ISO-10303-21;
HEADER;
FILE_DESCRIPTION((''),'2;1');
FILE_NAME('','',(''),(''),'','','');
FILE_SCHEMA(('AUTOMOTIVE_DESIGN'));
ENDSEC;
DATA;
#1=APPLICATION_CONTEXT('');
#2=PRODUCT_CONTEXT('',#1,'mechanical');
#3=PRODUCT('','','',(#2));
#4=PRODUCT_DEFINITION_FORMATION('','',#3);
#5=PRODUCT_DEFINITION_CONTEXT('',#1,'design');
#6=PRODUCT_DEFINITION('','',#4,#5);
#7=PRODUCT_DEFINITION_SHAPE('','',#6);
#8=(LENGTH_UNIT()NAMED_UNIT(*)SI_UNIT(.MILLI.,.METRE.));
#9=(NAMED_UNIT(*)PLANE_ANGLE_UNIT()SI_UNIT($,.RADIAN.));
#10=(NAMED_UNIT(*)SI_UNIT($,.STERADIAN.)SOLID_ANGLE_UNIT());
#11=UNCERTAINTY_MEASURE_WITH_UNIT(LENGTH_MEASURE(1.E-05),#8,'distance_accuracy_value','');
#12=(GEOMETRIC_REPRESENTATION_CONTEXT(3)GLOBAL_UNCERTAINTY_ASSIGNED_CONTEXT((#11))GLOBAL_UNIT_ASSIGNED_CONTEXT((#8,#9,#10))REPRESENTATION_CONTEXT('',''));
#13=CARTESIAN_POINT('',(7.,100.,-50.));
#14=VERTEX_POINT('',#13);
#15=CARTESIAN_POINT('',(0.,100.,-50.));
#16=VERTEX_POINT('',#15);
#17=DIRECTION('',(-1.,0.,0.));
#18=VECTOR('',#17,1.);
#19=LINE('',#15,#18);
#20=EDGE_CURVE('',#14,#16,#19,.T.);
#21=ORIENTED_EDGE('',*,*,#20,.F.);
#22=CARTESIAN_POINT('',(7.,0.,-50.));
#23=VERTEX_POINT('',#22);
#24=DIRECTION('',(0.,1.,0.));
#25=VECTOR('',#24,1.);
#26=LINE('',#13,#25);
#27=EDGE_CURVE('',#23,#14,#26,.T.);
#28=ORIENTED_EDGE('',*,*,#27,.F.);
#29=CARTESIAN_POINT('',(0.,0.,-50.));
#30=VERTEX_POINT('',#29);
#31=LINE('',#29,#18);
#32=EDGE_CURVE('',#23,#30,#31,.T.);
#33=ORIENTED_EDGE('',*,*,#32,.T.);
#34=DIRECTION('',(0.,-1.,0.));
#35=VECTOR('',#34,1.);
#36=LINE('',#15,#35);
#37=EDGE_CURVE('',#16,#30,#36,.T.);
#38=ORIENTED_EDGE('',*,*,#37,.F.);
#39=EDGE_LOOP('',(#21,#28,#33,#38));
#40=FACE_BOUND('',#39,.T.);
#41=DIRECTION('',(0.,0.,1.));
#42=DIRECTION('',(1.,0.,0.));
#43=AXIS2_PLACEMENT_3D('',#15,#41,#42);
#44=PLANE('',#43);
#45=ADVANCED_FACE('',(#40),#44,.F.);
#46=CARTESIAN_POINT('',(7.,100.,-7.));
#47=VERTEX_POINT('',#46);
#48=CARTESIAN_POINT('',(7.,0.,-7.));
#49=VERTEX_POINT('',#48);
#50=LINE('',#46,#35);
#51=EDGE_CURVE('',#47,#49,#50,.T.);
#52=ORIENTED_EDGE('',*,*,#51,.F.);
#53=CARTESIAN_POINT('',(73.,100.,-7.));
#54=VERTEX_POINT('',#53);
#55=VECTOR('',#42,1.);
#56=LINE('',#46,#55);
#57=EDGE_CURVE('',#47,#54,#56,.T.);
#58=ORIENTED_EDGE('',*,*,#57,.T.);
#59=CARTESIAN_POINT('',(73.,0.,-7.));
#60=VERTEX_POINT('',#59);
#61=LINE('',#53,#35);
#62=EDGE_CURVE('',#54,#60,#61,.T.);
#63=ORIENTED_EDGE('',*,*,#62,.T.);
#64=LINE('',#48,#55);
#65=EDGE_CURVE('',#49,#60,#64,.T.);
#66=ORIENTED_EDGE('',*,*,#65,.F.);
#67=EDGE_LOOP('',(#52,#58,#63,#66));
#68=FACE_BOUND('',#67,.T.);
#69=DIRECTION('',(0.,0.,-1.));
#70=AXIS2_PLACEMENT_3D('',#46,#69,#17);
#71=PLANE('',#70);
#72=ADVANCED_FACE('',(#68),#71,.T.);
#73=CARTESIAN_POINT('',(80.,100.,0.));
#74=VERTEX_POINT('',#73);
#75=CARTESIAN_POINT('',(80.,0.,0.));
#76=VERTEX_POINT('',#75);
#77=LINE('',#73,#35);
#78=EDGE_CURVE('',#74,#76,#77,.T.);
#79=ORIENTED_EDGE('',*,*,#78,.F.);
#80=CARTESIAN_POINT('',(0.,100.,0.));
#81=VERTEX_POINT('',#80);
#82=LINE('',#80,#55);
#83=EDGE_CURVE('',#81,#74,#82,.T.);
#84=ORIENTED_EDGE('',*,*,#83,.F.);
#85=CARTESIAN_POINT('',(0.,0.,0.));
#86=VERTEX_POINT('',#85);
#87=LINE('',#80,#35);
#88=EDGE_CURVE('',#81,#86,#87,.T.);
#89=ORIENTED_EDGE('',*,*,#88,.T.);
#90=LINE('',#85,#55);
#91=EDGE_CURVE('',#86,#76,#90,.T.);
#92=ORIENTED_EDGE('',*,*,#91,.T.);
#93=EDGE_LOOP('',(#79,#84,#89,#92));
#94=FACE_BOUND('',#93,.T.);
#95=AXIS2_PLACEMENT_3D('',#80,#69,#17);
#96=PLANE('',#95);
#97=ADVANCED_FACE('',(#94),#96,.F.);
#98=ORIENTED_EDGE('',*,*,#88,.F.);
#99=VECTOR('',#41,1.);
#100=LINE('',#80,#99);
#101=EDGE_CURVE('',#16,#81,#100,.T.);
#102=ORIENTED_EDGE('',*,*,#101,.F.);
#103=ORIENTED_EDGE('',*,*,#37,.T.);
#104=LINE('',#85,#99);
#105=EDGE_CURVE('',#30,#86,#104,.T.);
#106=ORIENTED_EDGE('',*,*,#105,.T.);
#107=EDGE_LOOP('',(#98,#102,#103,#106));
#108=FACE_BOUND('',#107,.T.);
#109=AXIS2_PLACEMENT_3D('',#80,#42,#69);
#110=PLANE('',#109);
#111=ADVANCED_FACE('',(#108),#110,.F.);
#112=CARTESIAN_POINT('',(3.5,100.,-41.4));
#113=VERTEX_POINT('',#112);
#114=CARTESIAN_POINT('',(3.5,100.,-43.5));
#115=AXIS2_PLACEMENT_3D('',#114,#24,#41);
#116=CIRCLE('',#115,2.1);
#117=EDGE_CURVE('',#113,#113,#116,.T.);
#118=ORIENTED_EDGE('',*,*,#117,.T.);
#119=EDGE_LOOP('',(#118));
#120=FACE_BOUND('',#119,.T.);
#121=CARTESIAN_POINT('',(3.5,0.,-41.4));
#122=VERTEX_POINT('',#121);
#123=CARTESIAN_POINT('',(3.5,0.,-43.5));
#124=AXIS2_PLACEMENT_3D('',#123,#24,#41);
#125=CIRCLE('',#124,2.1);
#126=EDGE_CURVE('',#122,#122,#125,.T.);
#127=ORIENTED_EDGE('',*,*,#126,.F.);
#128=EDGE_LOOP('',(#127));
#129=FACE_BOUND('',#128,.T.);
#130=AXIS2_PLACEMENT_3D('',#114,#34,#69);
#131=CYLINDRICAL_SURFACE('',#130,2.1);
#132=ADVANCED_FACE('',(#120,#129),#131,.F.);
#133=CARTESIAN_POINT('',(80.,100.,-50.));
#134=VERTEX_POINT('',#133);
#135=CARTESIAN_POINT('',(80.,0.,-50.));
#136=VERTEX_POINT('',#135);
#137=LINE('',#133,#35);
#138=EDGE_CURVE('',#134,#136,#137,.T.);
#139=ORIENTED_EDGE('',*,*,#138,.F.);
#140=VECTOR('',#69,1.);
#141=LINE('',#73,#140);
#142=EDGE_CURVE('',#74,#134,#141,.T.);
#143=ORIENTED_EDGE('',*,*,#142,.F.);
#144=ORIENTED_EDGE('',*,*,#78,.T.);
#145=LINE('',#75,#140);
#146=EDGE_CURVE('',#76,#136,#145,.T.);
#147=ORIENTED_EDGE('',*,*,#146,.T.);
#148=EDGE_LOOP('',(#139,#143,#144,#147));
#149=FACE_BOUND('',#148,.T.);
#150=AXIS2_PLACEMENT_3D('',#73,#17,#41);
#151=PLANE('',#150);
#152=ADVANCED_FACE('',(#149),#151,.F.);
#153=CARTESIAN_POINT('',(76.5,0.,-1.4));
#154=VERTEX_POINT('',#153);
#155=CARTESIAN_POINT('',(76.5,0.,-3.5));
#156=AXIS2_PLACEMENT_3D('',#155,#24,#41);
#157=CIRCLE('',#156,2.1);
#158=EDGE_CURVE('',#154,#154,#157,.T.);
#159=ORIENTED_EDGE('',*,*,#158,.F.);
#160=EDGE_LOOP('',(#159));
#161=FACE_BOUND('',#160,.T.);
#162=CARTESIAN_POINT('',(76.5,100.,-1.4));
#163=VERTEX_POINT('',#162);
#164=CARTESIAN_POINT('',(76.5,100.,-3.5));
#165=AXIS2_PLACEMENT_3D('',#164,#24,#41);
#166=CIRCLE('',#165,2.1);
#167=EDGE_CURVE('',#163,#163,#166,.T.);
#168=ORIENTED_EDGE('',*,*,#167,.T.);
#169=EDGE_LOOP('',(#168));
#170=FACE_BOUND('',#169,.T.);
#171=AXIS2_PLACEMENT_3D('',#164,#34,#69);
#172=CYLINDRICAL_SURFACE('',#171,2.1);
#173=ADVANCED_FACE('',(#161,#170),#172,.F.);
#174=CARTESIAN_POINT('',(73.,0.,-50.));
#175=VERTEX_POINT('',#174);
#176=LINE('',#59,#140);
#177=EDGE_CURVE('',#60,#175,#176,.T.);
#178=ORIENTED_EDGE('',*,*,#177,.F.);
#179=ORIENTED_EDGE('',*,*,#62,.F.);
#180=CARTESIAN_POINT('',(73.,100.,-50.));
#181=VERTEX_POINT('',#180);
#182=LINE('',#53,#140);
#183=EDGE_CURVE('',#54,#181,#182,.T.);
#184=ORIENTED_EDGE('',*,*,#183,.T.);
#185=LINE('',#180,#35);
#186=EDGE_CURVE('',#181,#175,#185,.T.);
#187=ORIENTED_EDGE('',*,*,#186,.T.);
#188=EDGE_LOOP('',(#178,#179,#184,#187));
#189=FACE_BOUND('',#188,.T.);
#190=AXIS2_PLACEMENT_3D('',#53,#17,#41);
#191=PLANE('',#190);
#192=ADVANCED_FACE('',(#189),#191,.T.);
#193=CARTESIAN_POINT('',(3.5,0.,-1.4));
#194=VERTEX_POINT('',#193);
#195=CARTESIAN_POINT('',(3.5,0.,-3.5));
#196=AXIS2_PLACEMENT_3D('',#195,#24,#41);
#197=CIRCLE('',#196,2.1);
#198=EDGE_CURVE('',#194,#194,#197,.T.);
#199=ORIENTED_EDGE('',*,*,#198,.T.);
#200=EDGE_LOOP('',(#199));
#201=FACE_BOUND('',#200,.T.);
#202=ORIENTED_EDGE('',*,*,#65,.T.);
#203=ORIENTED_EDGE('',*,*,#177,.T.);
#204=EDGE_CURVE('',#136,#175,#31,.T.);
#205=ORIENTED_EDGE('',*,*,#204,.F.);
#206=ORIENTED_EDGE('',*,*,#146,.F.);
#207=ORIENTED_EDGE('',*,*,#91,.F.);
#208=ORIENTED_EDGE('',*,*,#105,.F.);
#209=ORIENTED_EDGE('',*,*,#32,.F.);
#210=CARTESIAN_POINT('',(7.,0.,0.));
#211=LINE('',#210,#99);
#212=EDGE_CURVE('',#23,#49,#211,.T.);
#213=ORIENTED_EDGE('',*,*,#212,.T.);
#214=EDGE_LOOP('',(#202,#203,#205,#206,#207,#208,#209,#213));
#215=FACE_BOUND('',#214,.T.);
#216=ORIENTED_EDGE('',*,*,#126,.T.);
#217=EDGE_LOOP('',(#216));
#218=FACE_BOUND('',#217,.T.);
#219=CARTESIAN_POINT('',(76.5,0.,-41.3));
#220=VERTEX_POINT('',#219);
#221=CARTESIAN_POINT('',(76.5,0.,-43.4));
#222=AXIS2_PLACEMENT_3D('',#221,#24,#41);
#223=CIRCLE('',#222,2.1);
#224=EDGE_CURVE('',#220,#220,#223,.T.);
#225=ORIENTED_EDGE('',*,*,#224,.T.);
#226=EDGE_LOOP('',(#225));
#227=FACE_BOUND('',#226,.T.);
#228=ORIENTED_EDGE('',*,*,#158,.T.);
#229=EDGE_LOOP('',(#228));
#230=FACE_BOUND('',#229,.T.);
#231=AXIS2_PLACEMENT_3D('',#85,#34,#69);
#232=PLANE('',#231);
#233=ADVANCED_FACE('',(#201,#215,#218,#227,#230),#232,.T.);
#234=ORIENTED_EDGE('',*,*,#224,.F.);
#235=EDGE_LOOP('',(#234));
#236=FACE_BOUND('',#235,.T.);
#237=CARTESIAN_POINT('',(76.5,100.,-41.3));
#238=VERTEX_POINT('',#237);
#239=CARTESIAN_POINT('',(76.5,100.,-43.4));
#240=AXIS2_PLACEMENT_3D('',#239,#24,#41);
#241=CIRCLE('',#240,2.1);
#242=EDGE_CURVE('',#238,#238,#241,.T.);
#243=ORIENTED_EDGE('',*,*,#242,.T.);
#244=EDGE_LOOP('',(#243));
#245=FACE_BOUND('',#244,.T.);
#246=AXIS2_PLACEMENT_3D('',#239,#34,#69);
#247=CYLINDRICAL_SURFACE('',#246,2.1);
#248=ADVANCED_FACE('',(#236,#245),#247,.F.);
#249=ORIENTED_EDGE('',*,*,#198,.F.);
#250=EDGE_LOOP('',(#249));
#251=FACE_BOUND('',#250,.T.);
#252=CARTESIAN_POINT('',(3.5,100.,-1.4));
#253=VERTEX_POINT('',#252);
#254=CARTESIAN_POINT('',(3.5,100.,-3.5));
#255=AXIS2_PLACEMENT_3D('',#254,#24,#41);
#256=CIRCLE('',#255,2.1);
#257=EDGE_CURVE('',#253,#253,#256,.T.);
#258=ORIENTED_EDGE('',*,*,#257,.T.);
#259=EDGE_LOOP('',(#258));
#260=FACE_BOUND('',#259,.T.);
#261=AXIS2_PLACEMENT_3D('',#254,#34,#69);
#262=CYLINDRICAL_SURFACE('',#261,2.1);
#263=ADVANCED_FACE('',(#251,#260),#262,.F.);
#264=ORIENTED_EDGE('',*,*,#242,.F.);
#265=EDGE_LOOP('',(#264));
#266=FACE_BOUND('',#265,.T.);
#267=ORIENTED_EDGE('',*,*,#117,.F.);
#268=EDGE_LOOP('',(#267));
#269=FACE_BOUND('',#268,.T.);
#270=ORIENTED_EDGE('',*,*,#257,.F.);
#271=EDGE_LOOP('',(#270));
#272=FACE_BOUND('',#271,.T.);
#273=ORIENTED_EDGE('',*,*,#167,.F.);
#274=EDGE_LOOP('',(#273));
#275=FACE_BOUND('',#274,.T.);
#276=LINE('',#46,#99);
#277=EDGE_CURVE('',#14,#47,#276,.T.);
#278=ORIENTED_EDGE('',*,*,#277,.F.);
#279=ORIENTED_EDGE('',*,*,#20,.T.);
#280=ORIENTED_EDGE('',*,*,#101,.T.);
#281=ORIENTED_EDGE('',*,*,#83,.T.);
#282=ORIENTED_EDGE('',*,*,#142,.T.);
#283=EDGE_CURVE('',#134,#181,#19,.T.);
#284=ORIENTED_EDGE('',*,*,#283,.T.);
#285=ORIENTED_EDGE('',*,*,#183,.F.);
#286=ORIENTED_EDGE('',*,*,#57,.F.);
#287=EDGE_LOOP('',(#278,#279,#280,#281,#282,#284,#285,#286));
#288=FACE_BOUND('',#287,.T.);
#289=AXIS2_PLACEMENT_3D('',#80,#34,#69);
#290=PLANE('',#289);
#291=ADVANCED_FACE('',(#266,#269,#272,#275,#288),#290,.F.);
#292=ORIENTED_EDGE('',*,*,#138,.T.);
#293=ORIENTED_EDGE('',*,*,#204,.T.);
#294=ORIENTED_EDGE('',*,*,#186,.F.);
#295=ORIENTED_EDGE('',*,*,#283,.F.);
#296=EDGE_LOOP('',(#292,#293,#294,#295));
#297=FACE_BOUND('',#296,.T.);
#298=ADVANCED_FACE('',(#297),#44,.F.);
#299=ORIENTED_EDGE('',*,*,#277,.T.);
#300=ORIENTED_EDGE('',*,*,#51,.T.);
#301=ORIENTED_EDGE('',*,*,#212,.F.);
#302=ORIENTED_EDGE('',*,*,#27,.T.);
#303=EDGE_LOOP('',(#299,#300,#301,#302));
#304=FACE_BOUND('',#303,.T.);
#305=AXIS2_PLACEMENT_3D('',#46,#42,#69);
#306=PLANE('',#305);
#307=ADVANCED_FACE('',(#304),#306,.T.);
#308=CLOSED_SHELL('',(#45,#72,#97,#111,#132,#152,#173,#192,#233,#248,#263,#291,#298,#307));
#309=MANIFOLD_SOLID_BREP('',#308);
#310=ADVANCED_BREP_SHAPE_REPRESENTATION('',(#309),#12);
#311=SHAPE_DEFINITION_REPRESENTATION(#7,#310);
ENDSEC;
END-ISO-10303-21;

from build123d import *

# Parameters (mm, degrees)
SKETCH_1_W          = 80
SKETCH_1_H          = 50
EXTRUDE_1_DEPTH     = 100
SKETCH_3_W          = 66
SKETCH_3_H          = 44.469830213
CUT_EXTRUDE_1_DEPTH = 138.477270849
SKETCH_4_R          = 2.1
CUT_EXTRUDE_2_DEPTH = 138.477270849


with BuildPart() as part:
    # 草圖1 → 填料-伸長1 (new body)
    with BuildSketch(Plane(origin=(0, 0, 0), x_dir=(1, 0, 0), z_dir=(0, 1, 0))):
        with Locations((40, 25)):
            Rectangle(SKETCH_1_W, SKETCH_1_H)
    extrude(amount=EXTRUDE_1_DEPTH)

    # 草圖3 → 除料-伸長1 (cut, through all)
    with BuildSketch(Plane(origin=(0, 0, 0), x_dir=(1, 0, 0), z_dir=(0, 1, 0))):
        with Locations((40, 29.234915107)):
            Rectangle(SKETCH_3_W, SKETCH_3_H)
    extrude(amount=CUT_EXTRUDE_1_DEPTH, mode=Mode.SUBTRACT)

    # 草圖4 → 除料-伸長2 (cut, through all)
    with BuildSketch(Plane(origin=(0, 0, 0), x_dir=(1, 0, 0), z_dir=(0, 1, 0))):
        with Locations(Location((3.5, 3.5, 0), (0, 0, 270))):
            Circle(SKETCH_4_R)
        with Locations(Location((3.5, 43.5, 0), (0, 0, 270))):
            Circle(SKETCH_4_R)
        with Locations(Location((76.5, 43.4, 0), (0, 0, 270))):
            Circle(SKETCH_4_R)
        with Locations(Location((76.5, 3.5, 0), (0, 0, 270))):
            Circle(SKETCH_4_R)
    extrude(amount=CUT_EXTRUDE_2_DEPTH, mode=Mode.SUBTRACT)


solid = part.part
